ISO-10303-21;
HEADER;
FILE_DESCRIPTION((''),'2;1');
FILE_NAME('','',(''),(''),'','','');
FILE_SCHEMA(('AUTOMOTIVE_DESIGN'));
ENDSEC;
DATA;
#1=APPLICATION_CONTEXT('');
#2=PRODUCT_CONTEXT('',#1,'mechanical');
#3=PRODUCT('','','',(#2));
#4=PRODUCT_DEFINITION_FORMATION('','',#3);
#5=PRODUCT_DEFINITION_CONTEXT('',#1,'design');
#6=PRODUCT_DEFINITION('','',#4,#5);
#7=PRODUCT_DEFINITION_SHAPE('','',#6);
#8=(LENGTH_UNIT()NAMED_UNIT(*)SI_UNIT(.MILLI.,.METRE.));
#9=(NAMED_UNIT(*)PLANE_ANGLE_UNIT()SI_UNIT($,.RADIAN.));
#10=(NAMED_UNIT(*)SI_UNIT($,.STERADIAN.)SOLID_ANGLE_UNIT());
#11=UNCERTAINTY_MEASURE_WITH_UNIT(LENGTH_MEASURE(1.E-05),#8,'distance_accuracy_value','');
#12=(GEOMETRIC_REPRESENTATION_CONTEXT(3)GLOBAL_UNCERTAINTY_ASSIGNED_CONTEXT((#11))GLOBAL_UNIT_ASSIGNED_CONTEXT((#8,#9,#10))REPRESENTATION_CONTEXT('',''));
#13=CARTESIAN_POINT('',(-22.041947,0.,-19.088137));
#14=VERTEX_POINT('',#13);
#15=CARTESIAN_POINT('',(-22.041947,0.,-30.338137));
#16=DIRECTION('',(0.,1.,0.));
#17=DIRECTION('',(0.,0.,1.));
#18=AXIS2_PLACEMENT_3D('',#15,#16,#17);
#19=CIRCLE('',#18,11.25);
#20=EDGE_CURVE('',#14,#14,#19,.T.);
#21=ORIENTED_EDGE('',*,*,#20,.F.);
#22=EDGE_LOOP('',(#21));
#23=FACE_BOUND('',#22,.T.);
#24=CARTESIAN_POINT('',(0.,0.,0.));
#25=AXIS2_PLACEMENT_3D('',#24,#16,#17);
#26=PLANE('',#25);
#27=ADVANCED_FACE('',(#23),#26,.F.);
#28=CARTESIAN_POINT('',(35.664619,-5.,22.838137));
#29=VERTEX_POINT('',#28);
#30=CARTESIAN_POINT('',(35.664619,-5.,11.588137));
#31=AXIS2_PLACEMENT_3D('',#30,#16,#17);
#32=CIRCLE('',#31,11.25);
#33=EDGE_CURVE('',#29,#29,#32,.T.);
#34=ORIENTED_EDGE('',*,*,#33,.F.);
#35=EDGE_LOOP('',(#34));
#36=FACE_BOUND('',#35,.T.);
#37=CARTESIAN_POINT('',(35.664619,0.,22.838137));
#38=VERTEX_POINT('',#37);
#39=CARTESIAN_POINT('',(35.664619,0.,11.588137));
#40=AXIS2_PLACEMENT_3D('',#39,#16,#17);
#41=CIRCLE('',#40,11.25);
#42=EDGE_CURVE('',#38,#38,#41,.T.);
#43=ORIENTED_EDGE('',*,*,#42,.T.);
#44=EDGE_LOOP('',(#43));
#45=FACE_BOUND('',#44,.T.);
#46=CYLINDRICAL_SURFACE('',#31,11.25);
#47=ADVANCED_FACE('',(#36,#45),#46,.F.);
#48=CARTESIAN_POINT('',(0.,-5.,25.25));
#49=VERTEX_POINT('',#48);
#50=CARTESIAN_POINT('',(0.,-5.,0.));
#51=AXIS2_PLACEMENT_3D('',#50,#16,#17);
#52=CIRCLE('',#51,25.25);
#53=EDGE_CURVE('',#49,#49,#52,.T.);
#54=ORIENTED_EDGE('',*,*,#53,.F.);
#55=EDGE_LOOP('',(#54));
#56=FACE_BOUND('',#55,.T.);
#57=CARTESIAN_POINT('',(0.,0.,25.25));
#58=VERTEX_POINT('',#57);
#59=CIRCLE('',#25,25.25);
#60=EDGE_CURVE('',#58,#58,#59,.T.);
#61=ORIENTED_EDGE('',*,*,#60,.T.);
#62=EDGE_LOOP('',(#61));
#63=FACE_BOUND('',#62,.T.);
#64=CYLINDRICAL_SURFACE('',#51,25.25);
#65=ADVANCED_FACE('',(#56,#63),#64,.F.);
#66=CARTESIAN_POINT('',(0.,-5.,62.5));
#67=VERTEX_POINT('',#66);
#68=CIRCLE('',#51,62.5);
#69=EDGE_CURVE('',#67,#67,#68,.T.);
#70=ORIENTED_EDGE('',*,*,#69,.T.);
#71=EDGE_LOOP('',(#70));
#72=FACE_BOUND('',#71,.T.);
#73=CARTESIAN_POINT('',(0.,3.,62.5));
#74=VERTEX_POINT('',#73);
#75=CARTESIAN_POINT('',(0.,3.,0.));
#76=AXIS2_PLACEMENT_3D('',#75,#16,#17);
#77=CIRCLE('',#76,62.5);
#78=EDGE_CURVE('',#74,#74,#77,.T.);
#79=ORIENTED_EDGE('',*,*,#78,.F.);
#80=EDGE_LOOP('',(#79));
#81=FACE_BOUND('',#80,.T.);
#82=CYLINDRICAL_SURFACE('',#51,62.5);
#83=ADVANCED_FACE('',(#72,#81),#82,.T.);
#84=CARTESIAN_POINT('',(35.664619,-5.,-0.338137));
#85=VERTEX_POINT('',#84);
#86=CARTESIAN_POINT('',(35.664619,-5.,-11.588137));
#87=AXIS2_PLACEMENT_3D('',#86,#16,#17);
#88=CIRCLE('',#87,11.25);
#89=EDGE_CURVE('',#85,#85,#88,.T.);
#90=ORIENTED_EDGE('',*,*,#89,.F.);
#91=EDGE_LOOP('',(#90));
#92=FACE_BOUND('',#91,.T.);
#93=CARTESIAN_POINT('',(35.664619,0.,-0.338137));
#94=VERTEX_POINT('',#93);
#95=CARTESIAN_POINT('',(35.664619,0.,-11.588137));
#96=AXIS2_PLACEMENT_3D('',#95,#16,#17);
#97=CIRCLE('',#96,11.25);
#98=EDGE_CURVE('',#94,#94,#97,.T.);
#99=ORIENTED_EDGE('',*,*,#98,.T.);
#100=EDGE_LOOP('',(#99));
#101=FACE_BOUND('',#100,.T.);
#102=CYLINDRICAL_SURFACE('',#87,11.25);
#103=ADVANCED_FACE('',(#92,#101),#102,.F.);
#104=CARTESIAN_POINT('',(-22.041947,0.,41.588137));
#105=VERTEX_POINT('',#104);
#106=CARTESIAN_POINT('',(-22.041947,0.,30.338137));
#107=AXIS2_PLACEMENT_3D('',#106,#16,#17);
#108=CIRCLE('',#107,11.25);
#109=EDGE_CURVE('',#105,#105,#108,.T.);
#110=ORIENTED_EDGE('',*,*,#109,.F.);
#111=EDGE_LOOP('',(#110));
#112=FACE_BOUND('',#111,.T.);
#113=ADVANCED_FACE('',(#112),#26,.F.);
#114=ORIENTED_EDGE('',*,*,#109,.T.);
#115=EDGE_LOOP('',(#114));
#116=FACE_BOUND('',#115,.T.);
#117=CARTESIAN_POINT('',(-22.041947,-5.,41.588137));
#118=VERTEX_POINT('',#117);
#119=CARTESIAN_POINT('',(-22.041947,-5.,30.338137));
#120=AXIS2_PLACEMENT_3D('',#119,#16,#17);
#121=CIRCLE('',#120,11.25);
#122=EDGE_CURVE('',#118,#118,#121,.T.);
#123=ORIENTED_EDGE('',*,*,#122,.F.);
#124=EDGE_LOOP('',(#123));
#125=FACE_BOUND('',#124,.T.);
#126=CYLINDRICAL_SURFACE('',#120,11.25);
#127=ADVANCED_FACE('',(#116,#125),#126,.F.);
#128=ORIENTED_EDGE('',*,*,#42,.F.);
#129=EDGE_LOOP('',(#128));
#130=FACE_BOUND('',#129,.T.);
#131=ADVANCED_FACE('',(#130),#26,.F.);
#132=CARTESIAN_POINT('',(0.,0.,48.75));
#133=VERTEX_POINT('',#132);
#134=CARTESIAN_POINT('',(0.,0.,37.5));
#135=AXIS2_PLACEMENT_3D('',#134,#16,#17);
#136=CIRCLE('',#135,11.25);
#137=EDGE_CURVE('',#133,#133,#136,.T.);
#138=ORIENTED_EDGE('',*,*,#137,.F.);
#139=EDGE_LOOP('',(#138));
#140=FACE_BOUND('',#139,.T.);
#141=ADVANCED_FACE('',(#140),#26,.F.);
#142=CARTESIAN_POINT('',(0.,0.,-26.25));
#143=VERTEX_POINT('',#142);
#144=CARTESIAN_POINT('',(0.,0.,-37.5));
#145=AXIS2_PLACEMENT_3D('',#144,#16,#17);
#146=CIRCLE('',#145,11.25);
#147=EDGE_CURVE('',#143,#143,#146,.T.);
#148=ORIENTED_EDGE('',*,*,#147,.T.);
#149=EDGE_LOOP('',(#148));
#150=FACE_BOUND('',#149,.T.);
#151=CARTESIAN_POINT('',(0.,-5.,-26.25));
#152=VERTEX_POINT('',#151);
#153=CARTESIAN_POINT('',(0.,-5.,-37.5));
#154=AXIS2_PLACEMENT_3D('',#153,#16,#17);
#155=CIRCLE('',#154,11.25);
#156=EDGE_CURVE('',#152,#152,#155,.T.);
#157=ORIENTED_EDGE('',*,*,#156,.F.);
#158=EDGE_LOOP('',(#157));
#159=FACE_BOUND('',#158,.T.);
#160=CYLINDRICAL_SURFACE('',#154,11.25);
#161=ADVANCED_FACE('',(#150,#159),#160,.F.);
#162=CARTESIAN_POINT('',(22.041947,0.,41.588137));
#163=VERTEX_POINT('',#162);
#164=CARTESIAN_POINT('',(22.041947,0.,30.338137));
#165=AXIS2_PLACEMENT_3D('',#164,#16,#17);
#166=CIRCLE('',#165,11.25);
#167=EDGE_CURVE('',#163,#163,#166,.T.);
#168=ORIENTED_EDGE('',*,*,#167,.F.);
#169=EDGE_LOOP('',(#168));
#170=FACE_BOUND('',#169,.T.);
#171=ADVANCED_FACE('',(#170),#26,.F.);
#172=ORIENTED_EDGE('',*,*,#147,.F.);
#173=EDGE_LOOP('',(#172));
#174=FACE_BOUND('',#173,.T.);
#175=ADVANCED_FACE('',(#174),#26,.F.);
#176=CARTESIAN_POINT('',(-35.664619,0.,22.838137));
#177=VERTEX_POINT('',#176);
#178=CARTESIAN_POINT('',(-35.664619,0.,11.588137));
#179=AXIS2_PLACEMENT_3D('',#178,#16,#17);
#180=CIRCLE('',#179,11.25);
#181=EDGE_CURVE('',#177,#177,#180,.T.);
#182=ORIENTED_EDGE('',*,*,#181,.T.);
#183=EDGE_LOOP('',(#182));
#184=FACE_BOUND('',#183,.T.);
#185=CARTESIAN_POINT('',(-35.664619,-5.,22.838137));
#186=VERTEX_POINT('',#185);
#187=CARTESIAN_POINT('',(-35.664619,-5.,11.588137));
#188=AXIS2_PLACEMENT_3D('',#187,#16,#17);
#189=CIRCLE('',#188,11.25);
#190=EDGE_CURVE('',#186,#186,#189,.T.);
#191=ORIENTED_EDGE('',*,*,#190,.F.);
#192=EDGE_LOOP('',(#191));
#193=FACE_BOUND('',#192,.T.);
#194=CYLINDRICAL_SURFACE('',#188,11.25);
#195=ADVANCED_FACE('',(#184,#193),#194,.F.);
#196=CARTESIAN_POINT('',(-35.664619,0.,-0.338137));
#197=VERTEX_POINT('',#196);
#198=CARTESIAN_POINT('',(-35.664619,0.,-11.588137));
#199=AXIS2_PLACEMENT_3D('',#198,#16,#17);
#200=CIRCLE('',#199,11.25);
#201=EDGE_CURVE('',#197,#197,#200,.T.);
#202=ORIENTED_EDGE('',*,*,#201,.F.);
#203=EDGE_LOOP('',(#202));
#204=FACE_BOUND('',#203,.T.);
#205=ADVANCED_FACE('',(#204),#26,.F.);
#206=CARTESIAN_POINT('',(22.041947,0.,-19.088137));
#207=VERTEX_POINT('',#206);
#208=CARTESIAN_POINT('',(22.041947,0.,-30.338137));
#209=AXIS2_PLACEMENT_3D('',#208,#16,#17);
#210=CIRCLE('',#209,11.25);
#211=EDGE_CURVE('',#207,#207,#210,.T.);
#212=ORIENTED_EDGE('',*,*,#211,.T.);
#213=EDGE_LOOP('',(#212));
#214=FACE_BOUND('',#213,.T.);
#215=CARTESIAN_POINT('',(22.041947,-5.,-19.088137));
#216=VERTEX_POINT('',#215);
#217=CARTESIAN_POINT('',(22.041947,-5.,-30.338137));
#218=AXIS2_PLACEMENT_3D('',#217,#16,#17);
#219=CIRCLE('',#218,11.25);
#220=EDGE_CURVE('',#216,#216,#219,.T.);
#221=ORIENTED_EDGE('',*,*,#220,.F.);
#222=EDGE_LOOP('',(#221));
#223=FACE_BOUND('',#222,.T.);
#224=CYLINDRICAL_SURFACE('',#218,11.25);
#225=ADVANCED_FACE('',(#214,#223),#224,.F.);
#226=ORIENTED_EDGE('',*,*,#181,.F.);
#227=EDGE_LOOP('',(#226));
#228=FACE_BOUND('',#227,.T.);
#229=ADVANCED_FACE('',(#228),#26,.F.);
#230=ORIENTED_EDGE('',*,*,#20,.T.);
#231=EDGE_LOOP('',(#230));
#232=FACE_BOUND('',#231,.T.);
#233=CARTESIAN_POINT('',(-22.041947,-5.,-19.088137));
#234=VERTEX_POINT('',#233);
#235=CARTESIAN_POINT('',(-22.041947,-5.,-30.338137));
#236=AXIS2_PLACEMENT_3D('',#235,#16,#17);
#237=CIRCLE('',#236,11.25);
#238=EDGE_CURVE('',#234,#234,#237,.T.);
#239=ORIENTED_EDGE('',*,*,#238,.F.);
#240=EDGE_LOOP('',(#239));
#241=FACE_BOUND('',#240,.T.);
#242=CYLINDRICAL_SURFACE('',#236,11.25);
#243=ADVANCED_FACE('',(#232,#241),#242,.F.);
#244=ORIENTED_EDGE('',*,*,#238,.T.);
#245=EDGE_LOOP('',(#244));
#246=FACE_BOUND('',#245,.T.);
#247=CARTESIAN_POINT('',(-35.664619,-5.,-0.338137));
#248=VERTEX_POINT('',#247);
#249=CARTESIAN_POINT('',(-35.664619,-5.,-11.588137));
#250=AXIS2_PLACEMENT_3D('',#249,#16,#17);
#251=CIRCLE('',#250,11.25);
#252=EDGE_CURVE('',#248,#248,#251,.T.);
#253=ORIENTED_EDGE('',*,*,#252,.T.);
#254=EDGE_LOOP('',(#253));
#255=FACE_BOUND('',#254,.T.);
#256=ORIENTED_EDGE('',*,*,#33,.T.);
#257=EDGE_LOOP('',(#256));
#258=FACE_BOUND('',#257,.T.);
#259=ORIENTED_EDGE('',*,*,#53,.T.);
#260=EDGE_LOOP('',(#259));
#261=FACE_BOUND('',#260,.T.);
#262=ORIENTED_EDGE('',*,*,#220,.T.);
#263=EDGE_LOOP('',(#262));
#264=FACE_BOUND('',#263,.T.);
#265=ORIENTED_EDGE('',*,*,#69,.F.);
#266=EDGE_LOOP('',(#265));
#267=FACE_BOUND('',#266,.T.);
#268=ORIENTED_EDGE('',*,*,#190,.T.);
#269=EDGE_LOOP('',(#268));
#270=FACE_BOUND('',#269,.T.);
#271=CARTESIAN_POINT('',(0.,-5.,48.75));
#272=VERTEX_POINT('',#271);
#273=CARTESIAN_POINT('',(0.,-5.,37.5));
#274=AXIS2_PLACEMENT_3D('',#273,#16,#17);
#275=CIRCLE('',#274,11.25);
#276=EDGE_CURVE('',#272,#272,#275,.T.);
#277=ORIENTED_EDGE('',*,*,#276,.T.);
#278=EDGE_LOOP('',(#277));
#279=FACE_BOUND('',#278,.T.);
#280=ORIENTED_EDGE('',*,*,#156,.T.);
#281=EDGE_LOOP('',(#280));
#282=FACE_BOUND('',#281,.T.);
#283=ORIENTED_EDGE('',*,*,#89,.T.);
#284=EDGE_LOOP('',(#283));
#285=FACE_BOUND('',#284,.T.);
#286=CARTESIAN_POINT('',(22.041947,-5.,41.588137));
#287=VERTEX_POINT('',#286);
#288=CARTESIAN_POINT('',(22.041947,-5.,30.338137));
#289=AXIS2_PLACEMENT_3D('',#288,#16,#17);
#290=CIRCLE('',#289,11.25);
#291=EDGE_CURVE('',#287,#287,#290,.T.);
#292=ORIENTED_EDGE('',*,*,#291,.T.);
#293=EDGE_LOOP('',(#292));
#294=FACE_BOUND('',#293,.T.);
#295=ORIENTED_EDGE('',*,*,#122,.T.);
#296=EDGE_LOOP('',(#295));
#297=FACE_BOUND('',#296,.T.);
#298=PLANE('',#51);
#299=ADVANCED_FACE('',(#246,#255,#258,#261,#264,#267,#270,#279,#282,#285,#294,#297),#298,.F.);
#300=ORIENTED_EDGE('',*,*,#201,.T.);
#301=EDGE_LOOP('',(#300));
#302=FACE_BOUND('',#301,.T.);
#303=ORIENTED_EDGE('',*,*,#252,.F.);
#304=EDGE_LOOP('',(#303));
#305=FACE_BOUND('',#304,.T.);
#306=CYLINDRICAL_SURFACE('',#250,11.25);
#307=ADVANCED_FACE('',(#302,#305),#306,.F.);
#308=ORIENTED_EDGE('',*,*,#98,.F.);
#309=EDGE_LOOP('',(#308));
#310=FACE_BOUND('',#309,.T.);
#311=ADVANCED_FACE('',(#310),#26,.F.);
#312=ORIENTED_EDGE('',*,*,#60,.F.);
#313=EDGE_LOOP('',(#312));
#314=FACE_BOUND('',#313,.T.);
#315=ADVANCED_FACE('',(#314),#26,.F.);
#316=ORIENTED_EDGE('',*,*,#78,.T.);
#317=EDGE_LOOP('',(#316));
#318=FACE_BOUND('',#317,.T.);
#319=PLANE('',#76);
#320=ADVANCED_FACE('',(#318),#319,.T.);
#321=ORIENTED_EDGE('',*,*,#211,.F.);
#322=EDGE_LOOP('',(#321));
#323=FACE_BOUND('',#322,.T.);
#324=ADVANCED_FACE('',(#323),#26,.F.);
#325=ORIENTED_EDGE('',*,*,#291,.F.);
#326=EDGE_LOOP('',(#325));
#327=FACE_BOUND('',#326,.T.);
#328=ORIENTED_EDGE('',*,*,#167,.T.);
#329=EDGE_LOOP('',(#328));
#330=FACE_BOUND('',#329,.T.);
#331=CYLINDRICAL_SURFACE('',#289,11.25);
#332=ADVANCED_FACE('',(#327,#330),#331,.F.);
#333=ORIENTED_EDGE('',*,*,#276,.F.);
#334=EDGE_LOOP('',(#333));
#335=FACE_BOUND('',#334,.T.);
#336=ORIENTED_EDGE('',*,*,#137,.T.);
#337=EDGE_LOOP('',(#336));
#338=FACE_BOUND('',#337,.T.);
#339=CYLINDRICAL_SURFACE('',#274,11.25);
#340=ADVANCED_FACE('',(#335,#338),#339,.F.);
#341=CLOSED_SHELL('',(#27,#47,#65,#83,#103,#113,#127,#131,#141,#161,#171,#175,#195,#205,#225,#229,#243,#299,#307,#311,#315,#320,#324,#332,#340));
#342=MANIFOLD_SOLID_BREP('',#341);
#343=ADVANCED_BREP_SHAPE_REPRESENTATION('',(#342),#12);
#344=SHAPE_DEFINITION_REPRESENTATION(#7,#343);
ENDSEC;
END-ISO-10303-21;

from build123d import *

# Parameters (mm, degrees)
SKETCH2_R           = 62.5
SKETCH2_R_2         = 11.25
SKETCH2_R_3         = 25.25
BOSS_EXTRUDE1_DEPTH = 5
BOSS_EXTRUDE2_START = 3
SKETCH1_R           = 62.5
BOSS_EXTRUDE2_DEPTH = 3


with BuildPart() as part:
    # Sketch2 → Boss-Extrude1 (new body)
    with BuildSketch(Plane(origin=(0, 0, 0), x_dir=(1, 0, 0), z_dir=(0, 1, 0))):
        with Locations(Location((0, 0, 0), (0, 0, 270))):
            Circle(SKETCH2_R)
        with Locations(Location((0, 37.5, 0), (0, 0, 270))):
            Circle(SKETCH2_R_2, mode=Mode.SUBTRACT)
        with Locations(Location((22.041946961, 30.338137289, 0), (0, 0, 270))):
            Circle(SKETCH2_R_2, mode=Mode.SUBTRACT)
        with Locations(Location((35.664619361, 11.588137289, 0), (0, 0, 270))):
            Circle(SKETCH2_R_2, mode=Mode.SUBTRACT)
        with Locations(Location((35.664619361, -11.588137289, 0), (0, 0, 270))):
            Circle(SKETCH2_R_2, mode=Mode.SUBTRACT)
        with Locations(Location((22.041946961, -30.338137289, 0), (0, 0, 270))):
            Circle(SKETCH2_R_2, mode=Mode.SUBTRACT)
        with Locations(Location((0, -37.5, 0), (0, 0, 270))):
            Circle(SKETCH2_R_2, mode=Mode.SUBTRACT)
        with Locations(Location((-22.041946961, -30.338137289, 0), (0, 0, 270))):
            Circle(SKETCH2_R_2, mode=Mode.SUBTRACT)
        with Locations(Location((-35.664619361, -11.588137289, 0), (0, 0, 270))):
            Circle(SKETCH2_R_2, mode=Mode.SUBTRACT)
        with Locations(Location((-35.664619361, 11.588137289, 0), (0, 0, 270))):
            Circle(SKETCH2_R_2, mode=Mode.SUBTRACT)
        with Locations(Location((-22.041946961, 30.338137289, 0), (0, 0, 270))):
            Circle(SKETCH2_R_2, mode=Mode.SUBTRACT)
        with Locations(Location((0, 0, 0), (0, 0, 270))):
            Circle(SKETCH2_R_3, mode=Mode.SUBTRACT)
    extrude(amount=-BOSS_EXTRUDE1_DEPTH)

    # Sketch1 → Boss-Extrude2 (add)
    with BuildSketch(Plane(origin=(0, 0, 0), x_dir=(1, 0, 0), z_dir=(0, 1, 0)).offset(BOSS_EXTRUDE2_START)):
        with Locations(Location((0, 0, 0), (0, 0, 270))):
            Circle(SKETCH1_R)
    extrude(amount=-BOSS_EXTRUDE2_DEPTH)


solid = part.part
